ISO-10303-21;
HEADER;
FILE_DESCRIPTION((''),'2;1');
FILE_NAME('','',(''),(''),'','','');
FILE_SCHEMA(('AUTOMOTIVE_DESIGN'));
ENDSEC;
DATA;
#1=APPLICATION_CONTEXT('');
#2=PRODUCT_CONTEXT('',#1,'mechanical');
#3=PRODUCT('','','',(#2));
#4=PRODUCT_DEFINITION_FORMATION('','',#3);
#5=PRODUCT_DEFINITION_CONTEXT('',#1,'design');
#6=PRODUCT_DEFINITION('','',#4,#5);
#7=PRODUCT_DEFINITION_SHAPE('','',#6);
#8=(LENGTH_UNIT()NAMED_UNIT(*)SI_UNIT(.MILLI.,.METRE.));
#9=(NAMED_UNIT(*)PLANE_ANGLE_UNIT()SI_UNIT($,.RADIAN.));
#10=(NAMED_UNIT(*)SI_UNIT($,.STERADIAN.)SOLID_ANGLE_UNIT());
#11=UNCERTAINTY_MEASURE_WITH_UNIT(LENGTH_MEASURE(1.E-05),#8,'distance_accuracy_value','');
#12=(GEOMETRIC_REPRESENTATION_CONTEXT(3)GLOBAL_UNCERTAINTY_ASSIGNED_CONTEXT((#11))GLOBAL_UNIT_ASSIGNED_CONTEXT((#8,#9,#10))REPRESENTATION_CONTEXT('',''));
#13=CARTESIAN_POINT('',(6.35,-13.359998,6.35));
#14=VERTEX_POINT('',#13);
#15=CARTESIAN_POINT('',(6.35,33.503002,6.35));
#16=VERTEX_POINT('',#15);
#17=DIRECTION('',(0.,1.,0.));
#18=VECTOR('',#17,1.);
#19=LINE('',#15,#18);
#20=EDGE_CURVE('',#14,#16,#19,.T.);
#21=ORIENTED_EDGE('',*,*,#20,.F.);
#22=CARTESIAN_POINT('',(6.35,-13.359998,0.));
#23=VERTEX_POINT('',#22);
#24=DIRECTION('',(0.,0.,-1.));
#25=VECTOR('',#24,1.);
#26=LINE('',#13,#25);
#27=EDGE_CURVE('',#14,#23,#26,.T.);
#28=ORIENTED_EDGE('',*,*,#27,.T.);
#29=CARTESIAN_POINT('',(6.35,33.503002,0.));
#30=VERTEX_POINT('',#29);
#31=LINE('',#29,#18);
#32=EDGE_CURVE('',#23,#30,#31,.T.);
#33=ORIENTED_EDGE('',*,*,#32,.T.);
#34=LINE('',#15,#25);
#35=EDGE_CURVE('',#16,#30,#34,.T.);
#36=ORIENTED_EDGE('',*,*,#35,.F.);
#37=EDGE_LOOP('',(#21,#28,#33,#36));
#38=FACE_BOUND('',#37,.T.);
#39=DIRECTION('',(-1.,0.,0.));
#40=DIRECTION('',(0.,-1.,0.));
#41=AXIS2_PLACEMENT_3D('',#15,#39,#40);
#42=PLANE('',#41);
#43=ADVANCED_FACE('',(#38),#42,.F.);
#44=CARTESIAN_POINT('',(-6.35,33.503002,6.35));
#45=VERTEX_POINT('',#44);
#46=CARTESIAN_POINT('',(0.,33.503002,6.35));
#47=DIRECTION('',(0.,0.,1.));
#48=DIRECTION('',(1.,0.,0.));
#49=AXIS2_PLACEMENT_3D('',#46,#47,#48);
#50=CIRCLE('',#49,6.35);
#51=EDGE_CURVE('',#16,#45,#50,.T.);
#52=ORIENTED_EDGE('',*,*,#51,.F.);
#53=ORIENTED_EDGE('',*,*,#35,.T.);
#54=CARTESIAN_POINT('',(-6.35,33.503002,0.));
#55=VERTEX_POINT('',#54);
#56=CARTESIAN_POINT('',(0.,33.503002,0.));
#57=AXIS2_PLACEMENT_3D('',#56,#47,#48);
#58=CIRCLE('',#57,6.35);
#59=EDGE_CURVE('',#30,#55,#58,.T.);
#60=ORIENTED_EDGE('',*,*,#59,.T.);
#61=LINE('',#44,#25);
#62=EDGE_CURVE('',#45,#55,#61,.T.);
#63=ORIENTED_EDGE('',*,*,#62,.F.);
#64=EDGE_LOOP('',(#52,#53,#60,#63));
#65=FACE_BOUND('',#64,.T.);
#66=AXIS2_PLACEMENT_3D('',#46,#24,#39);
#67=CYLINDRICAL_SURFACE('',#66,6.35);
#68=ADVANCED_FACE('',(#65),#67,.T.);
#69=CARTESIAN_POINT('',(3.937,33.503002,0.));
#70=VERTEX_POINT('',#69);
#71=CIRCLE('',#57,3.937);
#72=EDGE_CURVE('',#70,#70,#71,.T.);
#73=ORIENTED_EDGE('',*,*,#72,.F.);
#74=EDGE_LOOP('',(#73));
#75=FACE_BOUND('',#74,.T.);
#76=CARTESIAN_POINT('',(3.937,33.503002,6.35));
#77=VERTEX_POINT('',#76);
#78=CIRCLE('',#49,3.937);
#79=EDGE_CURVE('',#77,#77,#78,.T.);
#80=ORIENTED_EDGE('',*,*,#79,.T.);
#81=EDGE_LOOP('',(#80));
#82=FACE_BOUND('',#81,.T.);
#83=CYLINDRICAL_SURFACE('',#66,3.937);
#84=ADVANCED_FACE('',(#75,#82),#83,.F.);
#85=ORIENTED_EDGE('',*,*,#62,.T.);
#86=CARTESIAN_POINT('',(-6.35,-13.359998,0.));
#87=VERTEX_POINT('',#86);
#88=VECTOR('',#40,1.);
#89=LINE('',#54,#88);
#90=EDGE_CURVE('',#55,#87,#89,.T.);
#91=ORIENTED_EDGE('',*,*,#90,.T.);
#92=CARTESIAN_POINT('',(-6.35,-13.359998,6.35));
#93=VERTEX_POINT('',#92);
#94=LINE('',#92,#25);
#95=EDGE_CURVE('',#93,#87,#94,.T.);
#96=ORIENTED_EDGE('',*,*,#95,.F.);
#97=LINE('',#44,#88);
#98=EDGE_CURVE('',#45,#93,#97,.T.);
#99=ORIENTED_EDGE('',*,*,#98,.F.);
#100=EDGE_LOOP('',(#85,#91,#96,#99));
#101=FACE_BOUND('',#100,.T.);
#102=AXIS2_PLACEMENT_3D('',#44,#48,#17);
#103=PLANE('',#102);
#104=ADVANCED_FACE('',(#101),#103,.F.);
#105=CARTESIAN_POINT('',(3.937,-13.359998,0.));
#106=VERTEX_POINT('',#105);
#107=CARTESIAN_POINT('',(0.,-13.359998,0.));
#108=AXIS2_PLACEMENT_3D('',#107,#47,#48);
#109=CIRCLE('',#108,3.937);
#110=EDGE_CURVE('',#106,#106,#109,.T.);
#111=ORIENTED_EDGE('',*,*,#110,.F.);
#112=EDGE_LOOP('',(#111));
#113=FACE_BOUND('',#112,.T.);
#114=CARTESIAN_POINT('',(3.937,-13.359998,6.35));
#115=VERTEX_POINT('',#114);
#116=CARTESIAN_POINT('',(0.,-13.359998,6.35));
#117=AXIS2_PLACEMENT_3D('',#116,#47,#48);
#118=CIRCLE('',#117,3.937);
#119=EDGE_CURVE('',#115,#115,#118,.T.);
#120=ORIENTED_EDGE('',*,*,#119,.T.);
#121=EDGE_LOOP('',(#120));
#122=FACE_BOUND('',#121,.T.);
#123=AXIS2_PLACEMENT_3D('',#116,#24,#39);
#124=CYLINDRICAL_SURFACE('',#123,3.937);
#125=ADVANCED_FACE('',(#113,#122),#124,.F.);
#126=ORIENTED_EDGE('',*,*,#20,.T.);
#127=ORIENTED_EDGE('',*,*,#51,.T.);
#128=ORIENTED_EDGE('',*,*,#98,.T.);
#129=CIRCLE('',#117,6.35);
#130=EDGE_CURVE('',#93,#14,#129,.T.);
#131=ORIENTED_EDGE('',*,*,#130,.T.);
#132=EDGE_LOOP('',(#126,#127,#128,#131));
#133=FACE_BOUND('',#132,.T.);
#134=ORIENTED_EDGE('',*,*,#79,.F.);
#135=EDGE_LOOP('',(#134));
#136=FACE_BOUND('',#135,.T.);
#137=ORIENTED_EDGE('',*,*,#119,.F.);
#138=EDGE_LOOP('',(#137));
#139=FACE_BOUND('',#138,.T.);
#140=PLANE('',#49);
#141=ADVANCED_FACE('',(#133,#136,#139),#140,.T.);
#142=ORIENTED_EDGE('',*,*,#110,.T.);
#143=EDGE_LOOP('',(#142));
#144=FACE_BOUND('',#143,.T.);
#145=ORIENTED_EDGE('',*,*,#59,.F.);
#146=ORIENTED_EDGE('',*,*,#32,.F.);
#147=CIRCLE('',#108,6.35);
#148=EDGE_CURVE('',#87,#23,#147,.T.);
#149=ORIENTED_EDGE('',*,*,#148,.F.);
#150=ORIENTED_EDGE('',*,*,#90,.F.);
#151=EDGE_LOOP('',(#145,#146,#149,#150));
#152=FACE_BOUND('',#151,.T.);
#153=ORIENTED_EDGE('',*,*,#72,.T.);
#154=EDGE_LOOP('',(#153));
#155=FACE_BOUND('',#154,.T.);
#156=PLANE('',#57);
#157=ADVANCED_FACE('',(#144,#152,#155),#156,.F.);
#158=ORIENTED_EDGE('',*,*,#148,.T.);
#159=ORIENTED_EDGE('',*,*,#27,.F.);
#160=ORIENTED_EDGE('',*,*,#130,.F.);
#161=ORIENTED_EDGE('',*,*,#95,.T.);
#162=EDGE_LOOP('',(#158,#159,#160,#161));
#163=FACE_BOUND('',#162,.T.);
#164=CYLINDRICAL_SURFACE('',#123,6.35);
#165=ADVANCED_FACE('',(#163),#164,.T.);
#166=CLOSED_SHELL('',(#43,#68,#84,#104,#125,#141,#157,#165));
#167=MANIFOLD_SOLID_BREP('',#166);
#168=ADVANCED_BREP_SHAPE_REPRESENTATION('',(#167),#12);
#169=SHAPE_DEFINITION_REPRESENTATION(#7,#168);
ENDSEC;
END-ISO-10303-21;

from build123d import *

# Parameters (mm, degrees)
SKETCH1_R           = 3.937
BOSS_EXTRUDE1_DEPTH = 6.35


with BuildPart() as part:
    # Sketch1 → Boss-Extrude1 (new body)
    with BuildSketch(Plane.XY):
        with BuildLine():
            Line((6.35, 33.503002032), (6.35, -13.359997968))
            ThreePointArc((6.35, -13.359997968), (0, -19.709997968), (-6.35, -13.359997968))
            Line((-6.35, -13.359997968), (-6.35, 33.503002032))
            ThreePointArc((-6.35, 33.503002032), (0, 39.853002032), (6.35, 33.503002032))
        make_face()
        with Locations((0, 33.503002032)):
            Circle(SKETCH1_R, mode=Mode.SUBTRACT)
        with Locations((0, -13.359997968)):
            Circle(SKETCH1_R, mode=Mode.SUBTRACT)
    extrude(amount=BOSS_EXTRUDE1_DEPTH)


solid = part.part
